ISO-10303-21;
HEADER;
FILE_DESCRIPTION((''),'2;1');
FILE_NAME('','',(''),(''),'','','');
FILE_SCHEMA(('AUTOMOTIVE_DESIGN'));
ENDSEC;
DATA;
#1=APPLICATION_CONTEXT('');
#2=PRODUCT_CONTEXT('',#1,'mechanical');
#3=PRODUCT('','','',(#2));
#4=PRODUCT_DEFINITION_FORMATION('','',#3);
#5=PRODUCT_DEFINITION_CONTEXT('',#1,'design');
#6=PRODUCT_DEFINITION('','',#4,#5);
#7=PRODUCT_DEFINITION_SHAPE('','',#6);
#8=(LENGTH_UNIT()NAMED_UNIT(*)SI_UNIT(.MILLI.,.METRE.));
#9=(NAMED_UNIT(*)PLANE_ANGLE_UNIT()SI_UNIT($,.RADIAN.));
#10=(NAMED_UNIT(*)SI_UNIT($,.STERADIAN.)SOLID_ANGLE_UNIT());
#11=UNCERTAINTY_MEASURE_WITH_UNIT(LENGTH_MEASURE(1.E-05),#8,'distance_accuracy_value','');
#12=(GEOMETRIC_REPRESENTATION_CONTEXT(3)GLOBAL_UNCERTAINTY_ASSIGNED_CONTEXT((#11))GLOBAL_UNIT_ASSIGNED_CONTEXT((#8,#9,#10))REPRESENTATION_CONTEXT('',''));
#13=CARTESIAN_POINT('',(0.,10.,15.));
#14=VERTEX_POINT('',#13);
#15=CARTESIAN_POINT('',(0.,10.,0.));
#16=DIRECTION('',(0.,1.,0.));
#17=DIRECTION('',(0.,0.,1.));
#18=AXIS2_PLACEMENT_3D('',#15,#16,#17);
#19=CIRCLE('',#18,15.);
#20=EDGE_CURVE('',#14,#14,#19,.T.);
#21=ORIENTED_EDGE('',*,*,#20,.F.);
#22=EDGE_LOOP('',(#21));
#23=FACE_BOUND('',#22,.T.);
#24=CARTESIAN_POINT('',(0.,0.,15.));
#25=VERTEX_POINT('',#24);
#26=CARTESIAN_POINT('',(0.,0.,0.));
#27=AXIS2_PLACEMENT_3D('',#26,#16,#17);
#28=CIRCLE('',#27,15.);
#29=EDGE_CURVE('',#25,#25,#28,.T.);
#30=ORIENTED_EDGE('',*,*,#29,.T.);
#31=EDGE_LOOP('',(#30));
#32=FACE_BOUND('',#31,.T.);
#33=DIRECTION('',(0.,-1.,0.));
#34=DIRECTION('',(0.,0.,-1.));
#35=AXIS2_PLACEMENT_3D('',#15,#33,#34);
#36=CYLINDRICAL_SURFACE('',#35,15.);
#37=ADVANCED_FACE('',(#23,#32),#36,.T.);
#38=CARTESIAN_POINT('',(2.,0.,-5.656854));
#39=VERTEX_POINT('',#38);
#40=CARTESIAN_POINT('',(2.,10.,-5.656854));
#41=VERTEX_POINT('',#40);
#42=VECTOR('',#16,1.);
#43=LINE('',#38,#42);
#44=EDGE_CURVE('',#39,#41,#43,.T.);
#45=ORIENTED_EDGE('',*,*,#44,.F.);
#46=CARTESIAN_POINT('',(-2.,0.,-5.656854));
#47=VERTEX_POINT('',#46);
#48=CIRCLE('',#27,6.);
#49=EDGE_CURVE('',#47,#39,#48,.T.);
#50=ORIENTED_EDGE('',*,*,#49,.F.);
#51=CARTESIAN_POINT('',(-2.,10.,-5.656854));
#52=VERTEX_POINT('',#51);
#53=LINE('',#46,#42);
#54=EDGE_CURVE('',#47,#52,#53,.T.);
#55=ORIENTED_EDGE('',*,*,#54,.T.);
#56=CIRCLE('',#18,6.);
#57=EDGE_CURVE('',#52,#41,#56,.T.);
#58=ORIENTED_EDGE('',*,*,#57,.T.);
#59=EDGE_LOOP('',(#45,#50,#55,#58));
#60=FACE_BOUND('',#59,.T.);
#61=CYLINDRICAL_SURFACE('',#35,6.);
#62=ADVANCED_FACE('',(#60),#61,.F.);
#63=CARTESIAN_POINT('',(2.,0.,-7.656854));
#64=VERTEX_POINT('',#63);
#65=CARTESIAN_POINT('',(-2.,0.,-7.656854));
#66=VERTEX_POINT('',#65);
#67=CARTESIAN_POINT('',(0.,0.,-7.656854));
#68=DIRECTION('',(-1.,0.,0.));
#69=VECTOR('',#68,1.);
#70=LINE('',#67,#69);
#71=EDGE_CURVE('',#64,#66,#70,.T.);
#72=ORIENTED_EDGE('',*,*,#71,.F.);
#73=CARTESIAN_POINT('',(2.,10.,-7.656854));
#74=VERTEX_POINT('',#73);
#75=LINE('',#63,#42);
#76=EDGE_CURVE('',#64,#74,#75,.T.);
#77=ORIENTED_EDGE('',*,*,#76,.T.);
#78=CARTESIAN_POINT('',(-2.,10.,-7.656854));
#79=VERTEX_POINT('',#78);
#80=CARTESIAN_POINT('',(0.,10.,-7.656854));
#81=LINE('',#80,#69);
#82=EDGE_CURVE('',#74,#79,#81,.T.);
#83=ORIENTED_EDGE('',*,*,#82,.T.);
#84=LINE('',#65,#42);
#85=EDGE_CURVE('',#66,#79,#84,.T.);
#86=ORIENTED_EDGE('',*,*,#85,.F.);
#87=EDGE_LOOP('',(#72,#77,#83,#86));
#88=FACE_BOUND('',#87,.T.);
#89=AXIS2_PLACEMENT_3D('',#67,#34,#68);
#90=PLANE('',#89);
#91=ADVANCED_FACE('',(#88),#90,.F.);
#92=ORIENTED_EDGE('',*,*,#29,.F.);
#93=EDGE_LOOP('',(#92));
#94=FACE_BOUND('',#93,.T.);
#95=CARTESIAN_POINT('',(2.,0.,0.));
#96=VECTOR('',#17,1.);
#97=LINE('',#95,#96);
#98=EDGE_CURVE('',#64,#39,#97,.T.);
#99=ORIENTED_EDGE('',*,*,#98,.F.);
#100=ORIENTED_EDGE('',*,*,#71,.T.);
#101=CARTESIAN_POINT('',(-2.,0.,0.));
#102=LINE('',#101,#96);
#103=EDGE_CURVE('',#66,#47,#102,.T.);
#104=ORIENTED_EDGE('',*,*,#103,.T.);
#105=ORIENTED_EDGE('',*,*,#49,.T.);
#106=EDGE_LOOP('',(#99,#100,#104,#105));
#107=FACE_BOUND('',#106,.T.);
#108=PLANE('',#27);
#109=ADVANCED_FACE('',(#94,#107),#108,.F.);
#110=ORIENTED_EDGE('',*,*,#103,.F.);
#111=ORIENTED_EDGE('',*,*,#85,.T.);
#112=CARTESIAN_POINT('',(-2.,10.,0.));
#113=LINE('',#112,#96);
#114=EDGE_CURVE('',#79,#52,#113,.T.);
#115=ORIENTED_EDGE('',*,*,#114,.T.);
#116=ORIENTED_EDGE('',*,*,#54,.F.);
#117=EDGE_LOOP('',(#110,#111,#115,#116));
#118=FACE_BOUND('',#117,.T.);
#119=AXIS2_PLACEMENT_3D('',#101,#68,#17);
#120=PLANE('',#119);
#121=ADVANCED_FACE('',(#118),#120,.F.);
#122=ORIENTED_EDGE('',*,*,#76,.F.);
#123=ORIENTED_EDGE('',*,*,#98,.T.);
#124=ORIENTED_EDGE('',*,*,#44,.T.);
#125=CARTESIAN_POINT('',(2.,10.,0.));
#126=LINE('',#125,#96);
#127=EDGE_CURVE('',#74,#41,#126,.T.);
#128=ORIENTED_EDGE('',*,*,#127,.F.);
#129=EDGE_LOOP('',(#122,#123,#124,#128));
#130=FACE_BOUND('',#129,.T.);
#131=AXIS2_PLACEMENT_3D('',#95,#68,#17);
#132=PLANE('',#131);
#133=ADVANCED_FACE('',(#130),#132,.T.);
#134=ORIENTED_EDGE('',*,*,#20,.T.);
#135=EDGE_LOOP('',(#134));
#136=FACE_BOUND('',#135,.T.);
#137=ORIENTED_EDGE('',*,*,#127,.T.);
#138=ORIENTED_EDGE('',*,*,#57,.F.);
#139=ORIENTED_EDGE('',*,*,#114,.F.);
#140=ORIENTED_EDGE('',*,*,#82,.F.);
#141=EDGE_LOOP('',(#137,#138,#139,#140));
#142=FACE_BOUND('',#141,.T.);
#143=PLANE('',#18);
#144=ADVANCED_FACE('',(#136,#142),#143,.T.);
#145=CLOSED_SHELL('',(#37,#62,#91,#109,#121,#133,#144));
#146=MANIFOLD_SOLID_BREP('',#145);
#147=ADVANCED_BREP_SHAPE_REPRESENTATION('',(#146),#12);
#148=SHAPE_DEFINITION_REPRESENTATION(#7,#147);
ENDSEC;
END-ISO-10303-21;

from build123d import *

# Parameters (mm, degrees)
SKETCH1_R           = 15
SKETCH1_R_2         = 6
BOSS_EXTRUDE1_DEPTH = 10
CUT_EXTRUDE1_DEPTH  = 24.452078799


with BuildPart() as part:
    # Sketch1 → Boss-Extrude1 (new body)
    with BuildSketch(Plane(origin=(0, 0, 0), x_dir=(1, 0, 0), z_dir=(0, 1, 0))):
        with Locations(Location((0, 0, 0), (0, 0, 270))):
            Circle(SKETCH1_R)
        with Locations(Location((0, 0, 0), (0, 0, 270))):
            Circle(SKETCH1_R_2, mode=Mode.SUBTRACT)
    extrude(amount=BOSS_EXTRUDE1_DEPTH)

    # Sketch2 → Cut-Extrude1 (cut, through all)
    with BuildSketch(Plane(origin=(0, 10, 0), x_dir=(1, 0, 0), z_dir=(0, 1, 0))):
        with BuildLine():
            Line((2, 5.656854249), (2, 7.656854249))
            Line((2, 7.656854249), (-2, 7.656854249))
            Line((-2, 7.656854249), (-2, 5.656854249))
            ThreePointArc((-2, 5.656854249), (0, 6), (2, 5.656854249))
        make_face()
    extrude(amount=-CUT_EXTRUDE1_DEPTH, mode=Mode.SUBTRACT)


solid = part.part
